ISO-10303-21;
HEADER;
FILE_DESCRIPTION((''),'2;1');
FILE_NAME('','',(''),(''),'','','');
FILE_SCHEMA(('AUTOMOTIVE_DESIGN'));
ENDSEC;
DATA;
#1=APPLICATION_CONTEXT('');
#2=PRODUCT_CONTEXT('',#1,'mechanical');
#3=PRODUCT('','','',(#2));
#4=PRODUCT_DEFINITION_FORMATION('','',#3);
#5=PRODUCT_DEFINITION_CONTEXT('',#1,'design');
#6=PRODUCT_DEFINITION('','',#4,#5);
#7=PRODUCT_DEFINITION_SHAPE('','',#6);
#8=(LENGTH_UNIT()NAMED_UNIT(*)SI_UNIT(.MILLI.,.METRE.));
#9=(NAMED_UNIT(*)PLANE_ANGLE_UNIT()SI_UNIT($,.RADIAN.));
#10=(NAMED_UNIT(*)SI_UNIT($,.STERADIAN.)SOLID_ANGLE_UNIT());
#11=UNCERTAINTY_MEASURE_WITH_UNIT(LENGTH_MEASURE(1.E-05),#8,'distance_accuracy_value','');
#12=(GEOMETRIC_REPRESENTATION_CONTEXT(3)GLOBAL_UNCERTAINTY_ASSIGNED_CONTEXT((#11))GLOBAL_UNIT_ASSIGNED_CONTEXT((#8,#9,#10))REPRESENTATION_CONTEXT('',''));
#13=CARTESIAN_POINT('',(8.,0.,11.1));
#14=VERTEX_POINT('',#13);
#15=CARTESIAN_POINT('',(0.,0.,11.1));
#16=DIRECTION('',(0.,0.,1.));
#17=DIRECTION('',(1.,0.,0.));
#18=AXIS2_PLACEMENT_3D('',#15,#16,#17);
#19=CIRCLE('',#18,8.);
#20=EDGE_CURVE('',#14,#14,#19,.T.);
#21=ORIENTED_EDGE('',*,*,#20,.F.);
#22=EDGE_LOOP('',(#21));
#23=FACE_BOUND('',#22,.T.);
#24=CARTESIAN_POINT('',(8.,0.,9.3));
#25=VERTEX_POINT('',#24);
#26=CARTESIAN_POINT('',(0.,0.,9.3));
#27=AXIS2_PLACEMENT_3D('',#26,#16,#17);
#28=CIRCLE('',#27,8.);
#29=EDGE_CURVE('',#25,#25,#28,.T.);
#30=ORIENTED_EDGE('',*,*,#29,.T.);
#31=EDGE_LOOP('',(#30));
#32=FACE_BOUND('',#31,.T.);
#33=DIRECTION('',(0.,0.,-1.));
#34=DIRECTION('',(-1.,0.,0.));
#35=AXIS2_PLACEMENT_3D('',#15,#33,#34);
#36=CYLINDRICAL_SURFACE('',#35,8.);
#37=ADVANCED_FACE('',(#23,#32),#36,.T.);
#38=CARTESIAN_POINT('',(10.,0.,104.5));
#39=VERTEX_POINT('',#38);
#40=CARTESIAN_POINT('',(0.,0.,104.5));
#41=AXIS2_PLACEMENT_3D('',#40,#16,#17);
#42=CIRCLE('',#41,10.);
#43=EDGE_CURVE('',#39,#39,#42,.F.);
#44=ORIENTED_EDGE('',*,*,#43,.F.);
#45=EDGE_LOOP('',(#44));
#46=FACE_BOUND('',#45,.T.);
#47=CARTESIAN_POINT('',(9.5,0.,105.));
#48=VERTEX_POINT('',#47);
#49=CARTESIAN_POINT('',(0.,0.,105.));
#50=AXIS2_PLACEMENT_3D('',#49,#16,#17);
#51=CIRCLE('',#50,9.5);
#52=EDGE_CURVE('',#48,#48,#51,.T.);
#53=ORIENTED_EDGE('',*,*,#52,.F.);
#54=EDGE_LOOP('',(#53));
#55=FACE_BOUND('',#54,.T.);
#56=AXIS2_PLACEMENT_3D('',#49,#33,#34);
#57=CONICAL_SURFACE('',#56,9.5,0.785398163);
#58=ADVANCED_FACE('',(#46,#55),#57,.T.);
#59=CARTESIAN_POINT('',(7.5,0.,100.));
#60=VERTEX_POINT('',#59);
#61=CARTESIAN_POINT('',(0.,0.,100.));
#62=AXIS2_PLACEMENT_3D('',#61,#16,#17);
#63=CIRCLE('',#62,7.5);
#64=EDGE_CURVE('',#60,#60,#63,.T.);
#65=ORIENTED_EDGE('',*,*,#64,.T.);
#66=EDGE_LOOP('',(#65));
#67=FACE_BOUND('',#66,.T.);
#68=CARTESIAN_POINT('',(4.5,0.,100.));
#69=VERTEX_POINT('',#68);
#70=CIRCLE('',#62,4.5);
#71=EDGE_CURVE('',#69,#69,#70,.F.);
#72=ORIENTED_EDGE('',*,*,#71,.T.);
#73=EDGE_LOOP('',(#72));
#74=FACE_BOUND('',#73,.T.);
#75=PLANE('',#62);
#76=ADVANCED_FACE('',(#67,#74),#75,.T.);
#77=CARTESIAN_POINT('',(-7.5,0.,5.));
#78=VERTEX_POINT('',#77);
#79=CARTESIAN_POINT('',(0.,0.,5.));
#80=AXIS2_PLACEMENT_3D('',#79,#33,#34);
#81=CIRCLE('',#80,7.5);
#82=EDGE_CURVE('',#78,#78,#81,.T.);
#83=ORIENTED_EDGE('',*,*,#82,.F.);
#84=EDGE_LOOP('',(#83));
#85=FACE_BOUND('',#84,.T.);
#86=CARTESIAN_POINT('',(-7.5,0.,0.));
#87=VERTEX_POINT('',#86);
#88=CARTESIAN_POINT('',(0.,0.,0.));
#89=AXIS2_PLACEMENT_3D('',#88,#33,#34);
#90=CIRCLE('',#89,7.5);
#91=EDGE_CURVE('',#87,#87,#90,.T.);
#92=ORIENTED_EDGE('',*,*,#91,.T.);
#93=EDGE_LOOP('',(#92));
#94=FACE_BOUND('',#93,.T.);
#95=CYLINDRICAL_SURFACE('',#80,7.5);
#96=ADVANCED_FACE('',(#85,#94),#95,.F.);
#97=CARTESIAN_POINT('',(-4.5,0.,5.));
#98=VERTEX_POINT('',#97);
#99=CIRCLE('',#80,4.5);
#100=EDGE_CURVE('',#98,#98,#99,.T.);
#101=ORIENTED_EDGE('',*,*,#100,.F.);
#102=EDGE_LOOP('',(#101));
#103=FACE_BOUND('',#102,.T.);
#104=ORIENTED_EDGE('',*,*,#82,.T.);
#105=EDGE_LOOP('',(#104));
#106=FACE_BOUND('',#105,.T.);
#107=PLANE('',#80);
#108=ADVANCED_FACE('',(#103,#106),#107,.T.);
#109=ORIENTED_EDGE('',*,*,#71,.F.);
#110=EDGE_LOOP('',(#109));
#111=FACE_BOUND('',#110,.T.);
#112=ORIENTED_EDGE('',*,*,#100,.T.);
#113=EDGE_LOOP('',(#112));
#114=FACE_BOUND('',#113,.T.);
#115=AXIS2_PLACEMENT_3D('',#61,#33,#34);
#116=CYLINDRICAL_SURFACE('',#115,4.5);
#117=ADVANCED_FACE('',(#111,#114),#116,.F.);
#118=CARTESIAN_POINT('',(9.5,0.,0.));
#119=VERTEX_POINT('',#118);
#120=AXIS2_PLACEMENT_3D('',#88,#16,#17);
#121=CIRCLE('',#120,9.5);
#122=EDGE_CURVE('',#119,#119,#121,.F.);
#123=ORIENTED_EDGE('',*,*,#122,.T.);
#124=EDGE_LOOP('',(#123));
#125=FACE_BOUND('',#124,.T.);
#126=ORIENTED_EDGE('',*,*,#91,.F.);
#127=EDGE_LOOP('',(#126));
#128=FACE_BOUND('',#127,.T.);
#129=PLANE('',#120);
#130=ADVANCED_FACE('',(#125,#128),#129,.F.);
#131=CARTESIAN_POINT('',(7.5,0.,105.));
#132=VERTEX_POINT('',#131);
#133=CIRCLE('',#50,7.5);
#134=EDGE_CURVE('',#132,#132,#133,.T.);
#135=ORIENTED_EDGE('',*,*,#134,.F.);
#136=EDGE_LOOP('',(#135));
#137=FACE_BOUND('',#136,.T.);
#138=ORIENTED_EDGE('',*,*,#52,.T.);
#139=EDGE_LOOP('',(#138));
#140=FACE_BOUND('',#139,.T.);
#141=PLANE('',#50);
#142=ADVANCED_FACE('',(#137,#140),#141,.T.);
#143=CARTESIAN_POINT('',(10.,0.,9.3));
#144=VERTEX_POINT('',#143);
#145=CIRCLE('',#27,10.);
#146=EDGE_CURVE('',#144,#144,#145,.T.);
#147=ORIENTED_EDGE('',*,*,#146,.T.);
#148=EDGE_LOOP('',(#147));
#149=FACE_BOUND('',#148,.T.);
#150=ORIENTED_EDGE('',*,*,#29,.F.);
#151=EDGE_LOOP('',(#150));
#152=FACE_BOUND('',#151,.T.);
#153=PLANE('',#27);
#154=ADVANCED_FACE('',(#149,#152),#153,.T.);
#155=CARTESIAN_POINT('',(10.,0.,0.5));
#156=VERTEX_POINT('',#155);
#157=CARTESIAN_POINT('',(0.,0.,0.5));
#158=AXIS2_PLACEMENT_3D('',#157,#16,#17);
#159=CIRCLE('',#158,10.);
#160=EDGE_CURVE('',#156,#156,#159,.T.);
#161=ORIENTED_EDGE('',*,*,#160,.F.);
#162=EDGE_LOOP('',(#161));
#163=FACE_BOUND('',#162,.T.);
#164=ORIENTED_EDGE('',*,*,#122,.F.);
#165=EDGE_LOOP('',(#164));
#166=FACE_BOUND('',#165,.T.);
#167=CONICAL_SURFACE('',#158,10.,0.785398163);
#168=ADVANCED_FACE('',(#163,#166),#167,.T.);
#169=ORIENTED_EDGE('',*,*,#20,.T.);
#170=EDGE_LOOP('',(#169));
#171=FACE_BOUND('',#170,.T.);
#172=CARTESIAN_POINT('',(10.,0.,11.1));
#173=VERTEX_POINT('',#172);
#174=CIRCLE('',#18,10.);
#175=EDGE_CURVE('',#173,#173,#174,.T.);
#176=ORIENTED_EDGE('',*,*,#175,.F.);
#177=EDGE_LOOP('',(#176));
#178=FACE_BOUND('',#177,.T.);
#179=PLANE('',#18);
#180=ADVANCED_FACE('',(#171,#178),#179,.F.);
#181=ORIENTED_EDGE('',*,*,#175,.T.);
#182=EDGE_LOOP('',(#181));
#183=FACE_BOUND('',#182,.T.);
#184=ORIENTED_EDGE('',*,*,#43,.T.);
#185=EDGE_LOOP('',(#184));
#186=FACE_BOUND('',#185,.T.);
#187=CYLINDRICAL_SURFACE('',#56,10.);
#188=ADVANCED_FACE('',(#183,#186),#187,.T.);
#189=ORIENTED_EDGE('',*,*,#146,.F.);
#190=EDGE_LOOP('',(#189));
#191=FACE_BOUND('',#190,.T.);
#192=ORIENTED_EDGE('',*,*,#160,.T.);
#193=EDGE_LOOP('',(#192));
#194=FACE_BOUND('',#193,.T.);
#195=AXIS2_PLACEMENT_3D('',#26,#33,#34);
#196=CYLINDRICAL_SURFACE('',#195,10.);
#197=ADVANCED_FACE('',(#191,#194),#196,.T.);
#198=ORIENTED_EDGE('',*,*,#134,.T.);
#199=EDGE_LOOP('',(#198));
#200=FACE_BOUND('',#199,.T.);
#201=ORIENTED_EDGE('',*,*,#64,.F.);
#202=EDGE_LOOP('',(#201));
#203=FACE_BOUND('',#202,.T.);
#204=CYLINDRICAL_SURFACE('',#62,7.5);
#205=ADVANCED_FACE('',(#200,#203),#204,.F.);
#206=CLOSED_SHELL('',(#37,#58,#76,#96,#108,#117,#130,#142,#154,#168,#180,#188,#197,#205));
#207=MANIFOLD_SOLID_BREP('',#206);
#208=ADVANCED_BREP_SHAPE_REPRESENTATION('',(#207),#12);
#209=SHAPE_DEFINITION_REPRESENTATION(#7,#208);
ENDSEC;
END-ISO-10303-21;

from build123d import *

# Parameters (mm, degrees)
SKETCH1_R           = 10
BOSS_EXTRUDE1_DEPTH = 9.3
SKETCH3_R           = 8
BOSS_EXTRUDE2_DEPTH = 1.8
SKETCH4_R           = 10
BOSS_EXTRUDE3_DEPTH = 93.9
SKETCH5_R           = 7.5
CUT_EXTRUDE1_DEPTH  = 5
SKETCH6_R           = 4.5
CUT_EXTRUDE2_DEPTH  = 95
SKETCH7_R           = 7.5
CUT_EXTRUDE3_DEPTH  = 5
CHAMFER1_SIZE       = 0.5


with BuildPart() as part:
    # Sketch1 → Boss-Extrude1 (new body)
    with BuildSketch(Plane.XY):
        Circle(SKETCH1_R)
    extrude(amount=BOSS_EXTRUDE1_DEPTH)

    # Sketch3 → Boss-Extrude2 (add)
    with BuildSketch(Plane.XY.offset(9.3)):
        Circle(SKETCH3_R)
    extrude(amount=BOSS_EXTRUDE2_DEPTH)

    # Sketch4 → Boss-Extrude3 (add)
    with BuildSketch(Plane.XY.offset(11.1)):
        Circle(SKETCH4_R)
    extrude(amount=BOSS_EXTRUDE3_DEPTH)

    # Sketch5 → Cut-Extrude1 (cut)
    with BuildSketch(Plane(origin=(0, 0, 0), x_dir=(-1, 0, 0), z_dir=(0, 0, -1))):
        Circle(SKETCH5_R)
    extrude(amount=-CUT_EXTRUDE1_DEPTH, mode=Mode.SUBTRACT)

    # Sketch6 → Cut-Extrude2 (cut)
    with BuildSketch(Plane(origin=(0, 0, 5), x_dir=(-1, 0, 0), z_dir=(0, 0, -1))):
        Circle(SKETCH6_R)
    extrude(amount=-CUT_EXTRUDE2_DEPTH, mode=Mode.SUBTRACT)

    # Sketch7 → Cut-Extrude3 (cut)
    with BuildSketch(Plane.XY.offset(105)):
        Circle(SKETCH7_R)
    extrude(amount=-CUT_EXTRUDE3_DEPTH, mode=Mode.SUBTRACT)

    # Chamfer1
    chamfer1_edges = [part.edges().sort_by_distance(p)[0] for p in [
        (-10, 0, 0),
        (-10, 0, 105),
    ]]
    chamfer(chamfer1_edges, length=CHAMFER1_SIZE)


solid = part.part
